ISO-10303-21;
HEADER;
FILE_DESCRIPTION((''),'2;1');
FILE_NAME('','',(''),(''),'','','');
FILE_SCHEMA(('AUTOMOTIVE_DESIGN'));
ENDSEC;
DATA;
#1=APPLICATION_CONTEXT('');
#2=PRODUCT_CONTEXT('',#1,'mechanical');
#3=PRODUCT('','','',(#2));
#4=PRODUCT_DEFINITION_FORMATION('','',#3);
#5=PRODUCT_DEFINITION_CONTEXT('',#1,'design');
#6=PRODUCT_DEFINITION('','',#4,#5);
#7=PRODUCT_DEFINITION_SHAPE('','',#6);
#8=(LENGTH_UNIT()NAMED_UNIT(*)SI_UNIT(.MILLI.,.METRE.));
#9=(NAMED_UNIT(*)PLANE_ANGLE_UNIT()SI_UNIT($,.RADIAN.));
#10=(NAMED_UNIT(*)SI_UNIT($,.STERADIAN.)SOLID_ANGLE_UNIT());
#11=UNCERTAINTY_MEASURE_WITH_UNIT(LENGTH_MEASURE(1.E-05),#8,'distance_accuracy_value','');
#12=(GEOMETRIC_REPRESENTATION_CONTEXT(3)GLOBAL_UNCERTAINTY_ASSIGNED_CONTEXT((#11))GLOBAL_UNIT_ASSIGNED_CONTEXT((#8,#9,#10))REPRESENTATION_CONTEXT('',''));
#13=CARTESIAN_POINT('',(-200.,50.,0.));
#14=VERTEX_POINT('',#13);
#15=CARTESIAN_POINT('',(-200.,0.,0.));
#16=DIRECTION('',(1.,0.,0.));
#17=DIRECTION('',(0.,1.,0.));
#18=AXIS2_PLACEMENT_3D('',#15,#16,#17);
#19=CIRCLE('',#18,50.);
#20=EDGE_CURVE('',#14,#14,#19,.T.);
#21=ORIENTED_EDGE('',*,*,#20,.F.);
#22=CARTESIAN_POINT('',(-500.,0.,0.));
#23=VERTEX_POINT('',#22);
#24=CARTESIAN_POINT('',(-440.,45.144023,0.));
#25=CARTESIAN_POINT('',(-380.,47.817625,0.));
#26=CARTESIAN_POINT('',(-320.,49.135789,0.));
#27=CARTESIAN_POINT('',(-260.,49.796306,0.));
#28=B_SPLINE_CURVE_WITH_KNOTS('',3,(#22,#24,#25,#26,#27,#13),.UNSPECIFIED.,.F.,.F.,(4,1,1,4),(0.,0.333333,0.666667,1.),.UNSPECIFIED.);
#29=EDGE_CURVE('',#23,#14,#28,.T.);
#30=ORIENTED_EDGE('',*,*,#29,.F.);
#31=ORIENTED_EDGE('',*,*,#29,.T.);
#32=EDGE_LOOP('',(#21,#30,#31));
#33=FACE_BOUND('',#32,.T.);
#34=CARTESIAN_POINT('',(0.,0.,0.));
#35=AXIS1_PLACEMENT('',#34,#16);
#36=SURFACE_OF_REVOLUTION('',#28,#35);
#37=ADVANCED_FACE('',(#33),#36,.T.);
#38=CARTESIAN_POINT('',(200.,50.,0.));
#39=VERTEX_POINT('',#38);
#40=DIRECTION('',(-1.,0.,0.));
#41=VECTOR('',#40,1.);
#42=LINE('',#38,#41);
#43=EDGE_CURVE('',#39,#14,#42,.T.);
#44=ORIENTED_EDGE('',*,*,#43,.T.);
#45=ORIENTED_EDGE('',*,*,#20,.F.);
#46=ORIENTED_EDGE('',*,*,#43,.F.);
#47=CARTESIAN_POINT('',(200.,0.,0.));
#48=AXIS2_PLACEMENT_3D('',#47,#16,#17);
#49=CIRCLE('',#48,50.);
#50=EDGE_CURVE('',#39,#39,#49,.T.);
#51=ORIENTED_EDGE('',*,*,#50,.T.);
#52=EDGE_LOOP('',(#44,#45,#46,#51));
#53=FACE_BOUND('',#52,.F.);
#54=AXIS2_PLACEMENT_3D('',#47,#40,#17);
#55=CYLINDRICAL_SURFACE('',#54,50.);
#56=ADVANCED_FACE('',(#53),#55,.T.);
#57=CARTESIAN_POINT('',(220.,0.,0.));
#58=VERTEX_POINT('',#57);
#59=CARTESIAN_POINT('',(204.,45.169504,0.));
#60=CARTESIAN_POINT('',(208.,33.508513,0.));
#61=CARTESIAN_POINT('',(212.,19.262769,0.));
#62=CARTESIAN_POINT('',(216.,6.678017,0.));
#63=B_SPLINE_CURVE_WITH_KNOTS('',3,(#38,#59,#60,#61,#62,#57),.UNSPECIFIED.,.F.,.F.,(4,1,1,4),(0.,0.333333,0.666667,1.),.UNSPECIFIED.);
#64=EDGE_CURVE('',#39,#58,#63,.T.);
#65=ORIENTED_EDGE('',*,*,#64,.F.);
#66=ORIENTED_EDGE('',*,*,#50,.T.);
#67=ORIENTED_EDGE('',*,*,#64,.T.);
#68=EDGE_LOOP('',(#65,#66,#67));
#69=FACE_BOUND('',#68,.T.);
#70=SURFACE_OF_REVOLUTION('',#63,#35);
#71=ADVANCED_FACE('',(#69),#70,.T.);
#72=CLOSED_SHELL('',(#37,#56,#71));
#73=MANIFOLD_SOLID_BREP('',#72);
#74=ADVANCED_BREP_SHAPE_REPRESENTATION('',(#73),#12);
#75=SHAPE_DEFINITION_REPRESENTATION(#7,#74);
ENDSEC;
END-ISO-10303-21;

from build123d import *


with BuildPart() as part:
    # Sketch → Revolution (revolve)
    with BuildSketch(Plane.XY):
        with BuildLine():
            Line((-200, 0), (200, 0))
            Line((200, 0), (220, 0))
            add(Edge.make_bspline(
                [(200, 50), (204, 45.169504), (208, 33.508513), (212, 19.262769), (216, 6.678017), (220, 0)],
                knots=[0, 0, 0, 0, 0.333333, 0.666667, 1, 1, 1, 1], degree=3))
            Line((200, 50), (-200, 50))
            add(Edge.make_bspline(
                [(-500, 0), (-440, 45.144023), (-380, 47.817625), (-320, 49.135789), (-260, 49.796306), (-200, 50)],
                knots=[0, 0, 0, 0, 0.333333, 0.666667, 1, 1, 1, 1], degree=3))
            Line((-500, 0), (-200, 0))
        make_face()
    revolve(axis=Axis((0, 0, 0), (1, 0, 0)))


solid = part.part
